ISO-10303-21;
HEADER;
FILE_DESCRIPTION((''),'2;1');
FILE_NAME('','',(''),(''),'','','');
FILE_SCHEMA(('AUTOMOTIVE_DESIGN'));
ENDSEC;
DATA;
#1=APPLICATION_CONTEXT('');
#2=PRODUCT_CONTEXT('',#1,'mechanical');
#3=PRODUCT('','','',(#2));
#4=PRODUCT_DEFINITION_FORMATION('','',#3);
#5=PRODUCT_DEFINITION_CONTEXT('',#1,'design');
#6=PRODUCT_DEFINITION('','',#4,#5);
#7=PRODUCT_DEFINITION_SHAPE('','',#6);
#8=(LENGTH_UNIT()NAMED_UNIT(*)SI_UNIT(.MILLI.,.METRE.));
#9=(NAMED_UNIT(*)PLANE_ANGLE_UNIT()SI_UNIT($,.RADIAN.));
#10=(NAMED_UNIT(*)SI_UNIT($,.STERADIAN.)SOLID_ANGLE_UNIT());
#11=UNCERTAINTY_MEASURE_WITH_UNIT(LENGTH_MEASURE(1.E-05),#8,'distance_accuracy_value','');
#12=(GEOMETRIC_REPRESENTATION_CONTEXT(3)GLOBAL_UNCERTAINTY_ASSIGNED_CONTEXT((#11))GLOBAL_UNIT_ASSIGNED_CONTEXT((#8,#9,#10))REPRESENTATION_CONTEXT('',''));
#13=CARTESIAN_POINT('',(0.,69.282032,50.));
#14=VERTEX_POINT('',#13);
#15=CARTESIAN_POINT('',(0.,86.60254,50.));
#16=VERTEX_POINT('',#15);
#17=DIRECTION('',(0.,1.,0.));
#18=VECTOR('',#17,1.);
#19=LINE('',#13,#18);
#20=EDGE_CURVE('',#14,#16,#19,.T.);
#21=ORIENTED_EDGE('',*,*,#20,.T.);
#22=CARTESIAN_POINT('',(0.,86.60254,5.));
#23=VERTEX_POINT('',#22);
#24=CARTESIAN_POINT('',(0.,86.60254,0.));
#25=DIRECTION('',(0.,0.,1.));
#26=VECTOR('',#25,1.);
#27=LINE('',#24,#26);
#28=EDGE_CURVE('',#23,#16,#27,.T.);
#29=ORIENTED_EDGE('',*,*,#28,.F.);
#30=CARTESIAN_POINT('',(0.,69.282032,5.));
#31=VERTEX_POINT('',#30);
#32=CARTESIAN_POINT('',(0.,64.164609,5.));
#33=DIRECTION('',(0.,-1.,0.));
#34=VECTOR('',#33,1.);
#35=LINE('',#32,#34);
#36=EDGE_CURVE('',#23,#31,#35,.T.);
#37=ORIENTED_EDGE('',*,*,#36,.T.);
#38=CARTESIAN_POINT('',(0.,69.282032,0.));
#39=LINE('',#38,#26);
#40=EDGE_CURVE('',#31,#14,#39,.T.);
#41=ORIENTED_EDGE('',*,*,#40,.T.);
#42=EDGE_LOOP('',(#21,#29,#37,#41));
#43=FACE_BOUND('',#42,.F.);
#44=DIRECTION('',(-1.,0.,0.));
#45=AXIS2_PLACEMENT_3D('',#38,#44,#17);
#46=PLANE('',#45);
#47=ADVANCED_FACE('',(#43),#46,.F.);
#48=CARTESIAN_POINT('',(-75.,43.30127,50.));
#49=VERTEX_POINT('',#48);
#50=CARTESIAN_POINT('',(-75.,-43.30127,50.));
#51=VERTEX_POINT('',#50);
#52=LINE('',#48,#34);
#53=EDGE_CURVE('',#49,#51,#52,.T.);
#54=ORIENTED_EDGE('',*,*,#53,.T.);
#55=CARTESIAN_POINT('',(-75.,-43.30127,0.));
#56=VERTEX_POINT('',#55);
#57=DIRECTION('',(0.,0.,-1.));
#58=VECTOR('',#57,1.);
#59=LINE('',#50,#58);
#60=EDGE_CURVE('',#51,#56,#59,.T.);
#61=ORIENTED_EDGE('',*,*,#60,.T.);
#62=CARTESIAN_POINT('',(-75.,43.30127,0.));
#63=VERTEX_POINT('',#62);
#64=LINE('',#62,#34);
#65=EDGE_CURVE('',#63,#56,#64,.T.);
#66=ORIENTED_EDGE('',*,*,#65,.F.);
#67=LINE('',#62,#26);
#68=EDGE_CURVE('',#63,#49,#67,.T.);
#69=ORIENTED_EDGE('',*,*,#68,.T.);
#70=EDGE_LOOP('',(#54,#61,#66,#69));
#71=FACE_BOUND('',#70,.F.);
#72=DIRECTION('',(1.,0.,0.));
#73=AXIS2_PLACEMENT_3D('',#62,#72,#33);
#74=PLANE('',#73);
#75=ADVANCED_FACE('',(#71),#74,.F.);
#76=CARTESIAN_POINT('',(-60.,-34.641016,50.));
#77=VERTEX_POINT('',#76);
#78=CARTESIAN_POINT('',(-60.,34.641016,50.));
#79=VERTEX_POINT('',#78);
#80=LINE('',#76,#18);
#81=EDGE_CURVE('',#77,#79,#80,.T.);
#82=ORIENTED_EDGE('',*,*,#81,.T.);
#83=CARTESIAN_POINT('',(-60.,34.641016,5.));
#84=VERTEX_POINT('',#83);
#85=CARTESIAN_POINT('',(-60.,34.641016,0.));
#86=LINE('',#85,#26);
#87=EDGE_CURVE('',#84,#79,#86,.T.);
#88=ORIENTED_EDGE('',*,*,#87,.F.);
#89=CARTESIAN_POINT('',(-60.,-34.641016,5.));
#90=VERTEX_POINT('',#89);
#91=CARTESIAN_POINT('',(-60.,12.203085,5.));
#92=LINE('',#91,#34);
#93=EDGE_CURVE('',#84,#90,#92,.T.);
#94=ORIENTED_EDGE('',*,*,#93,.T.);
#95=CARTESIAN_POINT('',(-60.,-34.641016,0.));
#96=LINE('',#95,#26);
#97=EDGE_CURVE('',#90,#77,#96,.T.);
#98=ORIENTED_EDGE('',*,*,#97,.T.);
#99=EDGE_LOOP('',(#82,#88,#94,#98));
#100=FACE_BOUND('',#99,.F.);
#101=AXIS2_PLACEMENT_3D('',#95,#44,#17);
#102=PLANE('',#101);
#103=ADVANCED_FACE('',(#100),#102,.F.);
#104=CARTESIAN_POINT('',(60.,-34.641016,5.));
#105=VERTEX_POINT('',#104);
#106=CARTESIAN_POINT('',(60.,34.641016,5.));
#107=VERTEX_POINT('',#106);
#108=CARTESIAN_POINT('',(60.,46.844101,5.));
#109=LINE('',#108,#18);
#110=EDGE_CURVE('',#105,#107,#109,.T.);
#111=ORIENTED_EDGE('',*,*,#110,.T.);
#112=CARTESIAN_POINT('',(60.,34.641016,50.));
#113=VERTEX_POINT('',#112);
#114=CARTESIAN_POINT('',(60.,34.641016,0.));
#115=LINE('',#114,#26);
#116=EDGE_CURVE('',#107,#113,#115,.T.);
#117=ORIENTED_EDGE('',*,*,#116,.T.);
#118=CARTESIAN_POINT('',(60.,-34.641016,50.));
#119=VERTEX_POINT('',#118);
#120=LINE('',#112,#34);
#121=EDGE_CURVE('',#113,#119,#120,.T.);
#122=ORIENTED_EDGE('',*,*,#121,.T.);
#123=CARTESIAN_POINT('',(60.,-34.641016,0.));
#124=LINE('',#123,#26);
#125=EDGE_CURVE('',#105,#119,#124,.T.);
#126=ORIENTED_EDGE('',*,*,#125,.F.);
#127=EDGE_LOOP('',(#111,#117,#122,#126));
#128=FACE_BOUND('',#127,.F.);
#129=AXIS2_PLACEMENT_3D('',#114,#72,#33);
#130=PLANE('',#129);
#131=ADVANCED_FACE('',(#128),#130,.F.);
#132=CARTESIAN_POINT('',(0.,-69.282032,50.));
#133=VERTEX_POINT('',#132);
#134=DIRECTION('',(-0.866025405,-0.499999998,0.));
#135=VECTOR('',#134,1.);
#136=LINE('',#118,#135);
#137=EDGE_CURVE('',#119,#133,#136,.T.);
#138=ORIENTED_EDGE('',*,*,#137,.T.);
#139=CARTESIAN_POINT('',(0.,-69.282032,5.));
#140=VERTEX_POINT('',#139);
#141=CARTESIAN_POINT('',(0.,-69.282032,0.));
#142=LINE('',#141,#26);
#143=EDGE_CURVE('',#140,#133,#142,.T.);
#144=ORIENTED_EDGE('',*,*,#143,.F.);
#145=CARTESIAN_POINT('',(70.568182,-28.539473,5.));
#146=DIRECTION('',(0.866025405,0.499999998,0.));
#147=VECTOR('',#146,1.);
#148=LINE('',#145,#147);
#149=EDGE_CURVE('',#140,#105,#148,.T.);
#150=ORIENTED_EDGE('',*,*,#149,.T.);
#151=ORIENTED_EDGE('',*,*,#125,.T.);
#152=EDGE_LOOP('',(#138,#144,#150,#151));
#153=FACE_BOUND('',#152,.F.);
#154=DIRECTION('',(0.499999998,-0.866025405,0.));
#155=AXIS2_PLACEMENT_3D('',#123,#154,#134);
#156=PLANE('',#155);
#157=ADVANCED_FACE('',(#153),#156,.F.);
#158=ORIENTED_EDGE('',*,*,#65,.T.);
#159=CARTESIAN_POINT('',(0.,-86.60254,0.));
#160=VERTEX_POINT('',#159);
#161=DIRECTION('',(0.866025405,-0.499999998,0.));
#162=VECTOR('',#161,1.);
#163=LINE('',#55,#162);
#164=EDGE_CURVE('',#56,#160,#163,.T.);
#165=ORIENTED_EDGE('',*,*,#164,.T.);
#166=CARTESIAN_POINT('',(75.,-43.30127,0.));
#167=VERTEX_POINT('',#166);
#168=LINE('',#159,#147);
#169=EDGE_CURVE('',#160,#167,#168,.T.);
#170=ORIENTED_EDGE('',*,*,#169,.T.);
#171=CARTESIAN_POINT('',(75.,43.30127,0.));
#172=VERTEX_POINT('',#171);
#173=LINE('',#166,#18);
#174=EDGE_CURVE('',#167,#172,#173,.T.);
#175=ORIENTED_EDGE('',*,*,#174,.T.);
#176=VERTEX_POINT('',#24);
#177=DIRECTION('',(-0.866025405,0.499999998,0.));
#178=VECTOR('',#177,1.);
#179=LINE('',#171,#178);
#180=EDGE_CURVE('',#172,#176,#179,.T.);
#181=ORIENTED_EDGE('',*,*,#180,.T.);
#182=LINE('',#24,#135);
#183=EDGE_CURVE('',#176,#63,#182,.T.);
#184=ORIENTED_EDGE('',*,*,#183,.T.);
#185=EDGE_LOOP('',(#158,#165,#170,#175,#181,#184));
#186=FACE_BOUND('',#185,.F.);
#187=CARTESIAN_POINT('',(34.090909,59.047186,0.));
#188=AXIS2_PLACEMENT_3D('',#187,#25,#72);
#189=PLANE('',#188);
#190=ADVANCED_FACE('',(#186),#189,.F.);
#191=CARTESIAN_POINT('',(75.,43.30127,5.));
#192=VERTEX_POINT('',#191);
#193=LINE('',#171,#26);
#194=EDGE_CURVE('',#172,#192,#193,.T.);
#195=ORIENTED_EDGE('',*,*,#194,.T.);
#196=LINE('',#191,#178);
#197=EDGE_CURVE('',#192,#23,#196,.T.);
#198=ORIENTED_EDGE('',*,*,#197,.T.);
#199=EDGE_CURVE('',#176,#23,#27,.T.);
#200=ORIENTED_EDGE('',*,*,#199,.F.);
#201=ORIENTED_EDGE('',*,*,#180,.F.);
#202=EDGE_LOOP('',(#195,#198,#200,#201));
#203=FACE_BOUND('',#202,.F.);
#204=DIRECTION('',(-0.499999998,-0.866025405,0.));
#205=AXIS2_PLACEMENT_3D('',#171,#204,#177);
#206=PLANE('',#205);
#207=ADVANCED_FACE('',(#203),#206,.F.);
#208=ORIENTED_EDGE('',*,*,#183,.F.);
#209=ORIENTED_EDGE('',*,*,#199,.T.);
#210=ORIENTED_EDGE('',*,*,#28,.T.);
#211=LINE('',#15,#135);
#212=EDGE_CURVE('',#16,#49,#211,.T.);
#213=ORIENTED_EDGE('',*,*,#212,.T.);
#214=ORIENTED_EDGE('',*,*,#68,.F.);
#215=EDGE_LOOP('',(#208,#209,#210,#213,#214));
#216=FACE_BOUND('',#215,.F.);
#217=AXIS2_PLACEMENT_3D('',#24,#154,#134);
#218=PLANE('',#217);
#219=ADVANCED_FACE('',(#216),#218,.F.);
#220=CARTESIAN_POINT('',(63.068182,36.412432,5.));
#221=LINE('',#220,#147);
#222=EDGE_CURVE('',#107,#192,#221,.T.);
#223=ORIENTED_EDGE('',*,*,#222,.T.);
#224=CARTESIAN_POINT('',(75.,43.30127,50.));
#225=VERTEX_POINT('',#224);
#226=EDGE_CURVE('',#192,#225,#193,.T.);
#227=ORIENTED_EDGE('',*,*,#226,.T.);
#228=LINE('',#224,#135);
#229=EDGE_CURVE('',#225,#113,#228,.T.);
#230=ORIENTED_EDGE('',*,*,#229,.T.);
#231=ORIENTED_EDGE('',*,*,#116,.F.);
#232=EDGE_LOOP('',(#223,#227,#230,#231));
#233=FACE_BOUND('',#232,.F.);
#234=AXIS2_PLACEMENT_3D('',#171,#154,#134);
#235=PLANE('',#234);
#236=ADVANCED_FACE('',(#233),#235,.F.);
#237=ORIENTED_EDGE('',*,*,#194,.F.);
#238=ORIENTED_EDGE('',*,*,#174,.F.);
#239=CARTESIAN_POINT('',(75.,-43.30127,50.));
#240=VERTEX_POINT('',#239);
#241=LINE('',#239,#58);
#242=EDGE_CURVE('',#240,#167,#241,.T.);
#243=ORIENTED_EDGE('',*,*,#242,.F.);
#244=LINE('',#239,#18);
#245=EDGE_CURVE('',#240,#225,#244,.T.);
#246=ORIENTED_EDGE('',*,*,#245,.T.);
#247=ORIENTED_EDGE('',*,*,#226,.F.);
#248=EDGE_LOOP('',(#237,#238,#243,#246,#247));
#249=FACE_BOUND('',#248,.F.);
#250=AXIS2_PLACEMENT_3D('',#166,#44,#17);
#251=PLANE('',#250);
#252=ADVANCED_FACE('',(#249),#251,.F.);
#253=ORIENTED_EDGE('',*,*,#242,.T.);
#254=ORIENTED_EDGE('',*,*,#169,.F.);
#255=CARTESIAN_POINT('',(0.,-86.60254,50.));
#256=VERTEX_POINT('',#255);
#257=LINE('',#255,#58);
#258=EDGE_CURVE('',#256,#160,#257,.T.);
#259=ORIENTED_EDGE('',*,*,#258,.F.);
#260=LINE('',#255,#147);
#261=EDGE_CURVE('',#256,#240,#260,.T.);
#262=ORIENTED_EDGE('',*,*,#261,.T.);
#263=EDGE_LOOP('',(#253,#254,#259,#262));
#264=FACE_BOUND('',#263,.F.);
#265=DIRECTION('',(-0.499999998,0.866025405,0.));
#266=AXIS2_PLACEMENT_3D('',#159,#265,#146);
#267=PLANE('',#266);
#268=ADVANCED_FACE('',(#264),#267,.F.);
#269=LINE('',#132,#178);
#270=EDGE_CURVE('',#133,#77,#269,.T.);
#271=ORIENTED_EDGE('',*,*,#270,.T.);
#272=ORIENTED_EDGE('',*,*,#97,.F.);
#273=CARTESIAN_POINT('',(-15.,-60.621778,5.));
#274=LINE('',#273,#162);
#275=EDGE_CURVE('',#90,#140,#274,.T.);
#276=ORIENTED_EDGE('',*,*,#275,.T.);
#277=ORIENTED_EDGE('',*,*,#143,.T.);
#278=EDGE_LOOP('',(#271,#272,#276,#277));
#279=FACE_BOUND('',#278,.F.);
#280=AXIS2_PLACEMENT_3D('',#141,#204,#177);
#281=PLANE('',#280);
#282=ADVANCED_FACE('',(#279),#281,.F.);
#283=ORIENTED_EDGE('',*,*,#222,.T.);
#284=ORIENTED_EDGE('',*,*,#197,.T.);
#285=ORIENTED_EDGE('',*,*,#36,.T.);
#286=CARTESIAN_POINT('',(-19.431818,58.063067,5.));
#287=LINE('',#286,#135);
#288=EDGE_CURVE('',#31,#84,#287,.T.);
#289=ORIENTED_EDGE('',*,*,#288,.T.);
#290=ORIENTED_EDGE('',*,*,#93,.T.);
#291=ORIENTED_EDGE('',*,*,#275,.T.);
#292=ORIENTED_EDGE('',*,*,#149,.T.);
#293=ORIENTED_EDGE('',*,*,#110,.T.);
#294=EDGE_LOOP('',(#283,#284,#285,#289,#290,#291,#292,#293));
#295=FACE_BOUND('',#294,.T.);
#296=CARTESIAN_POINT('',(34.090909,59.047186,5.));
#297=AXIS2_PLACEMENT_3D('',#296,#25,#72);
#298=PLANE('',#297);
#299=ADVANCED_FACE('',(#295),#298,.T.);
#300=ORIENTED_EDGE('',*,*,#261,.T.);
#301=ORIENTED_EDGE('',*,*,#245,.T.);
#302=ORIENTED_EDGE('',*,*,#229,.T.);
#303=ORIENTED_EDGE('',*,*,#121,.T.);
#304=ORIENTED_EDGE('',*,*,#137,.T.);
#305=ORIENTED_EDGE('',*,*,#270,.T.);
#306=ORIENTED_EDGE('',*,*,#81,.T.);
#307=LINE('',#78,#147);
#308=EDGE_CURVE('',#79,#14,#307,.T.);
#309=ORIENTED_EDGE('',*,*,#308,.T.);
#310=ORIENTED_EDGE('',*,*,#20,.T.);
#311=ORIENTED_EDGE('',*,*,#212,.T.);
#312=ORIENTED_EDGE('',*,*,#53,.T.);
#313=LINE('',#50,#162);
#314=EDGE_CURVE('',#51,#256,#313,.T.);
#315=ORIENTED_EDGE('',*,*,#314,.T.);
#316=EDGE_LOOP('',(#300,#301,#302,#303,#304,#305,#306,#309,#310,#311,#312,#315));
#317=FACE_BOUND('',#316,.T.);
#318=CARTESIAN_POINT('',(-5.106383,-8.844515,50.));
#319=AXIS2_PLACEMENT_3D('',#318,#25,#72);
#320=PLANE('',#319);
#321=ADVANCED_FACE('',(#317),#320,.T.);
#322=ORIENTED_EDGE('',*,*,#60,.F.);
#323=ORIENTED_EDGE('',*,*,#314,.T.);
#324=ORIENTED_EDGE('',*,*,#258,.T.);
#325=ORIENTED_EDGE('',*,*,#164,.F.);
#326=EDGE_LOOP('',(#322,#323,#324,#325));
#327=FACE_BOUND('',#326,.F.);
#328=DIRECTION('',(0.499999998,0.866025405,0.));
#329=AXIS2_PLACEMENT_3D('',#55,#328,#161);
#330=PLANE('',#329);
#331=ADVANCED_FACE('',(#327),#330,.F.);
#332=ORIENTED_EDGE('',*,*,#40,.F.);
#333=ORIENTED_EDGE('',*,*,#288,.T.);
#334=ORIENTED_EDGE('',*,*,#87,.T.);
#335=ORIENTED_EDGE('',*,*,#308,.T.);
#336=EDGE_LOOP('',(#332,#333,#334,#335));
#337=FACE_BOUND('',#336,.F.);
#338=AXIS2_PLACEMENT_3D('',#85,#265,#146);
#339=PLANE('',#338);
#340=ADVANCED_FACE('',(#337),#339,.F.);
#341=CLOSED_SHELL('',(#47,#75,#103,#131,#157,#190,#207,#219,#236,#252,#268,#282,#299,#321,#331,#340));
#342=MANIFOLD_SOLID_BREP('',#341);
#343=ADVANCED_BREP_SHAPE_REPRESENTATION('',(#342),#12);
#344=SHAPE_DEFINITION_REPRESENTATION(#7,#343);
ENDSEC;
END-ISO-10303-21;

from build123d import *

# Parameters (mm, degrees)
F1_DEPTH = 5
F2_DEPTH = 50


with BuildPart() as f1:
    # F0 (on Top) → F1 (new body)
    with BuildSketch(Plane.XY):
        Polygon((60, 34.641016), (75, 43.30127), (0, 86.60254), (0, 69.282032), align=None)
        Polygon((75, -43.30127), (75, 43.30127), (60, 34.641016), (60, -34.641016), (0, -69.282032), (-60, -34.641016), (-60, 34.641016), (0, 69.282032), (0, 86.60254), (-75, 43.30127), (-75, -43.30127), (0, -86.60254), align=None)
        Polygon((60, -34.641016), (60, 34.641016), (0, 69.282032), (-60, 34.641016), (-60, -34.641016), (0, -69.282032), align=None)
    extrude(amount=F1_DEPTH)

    # F0 (on Top) → F2 (join)
    with BuildSketch(Plane.XY):
        Polygon((75, -43.30127), (75, 43.30127), (60, 34.641016), (60, -34.641016), (0, -69.282032), (-60, -34.641016), (-60, 34.641016), (0, 69.282032), (0, 86.60254), (-75, 43.30127), (-75, -43.30127), (0, -86.60254), align=None)
    extrude(amount=F2_DEPTH)


solid = f1.part
